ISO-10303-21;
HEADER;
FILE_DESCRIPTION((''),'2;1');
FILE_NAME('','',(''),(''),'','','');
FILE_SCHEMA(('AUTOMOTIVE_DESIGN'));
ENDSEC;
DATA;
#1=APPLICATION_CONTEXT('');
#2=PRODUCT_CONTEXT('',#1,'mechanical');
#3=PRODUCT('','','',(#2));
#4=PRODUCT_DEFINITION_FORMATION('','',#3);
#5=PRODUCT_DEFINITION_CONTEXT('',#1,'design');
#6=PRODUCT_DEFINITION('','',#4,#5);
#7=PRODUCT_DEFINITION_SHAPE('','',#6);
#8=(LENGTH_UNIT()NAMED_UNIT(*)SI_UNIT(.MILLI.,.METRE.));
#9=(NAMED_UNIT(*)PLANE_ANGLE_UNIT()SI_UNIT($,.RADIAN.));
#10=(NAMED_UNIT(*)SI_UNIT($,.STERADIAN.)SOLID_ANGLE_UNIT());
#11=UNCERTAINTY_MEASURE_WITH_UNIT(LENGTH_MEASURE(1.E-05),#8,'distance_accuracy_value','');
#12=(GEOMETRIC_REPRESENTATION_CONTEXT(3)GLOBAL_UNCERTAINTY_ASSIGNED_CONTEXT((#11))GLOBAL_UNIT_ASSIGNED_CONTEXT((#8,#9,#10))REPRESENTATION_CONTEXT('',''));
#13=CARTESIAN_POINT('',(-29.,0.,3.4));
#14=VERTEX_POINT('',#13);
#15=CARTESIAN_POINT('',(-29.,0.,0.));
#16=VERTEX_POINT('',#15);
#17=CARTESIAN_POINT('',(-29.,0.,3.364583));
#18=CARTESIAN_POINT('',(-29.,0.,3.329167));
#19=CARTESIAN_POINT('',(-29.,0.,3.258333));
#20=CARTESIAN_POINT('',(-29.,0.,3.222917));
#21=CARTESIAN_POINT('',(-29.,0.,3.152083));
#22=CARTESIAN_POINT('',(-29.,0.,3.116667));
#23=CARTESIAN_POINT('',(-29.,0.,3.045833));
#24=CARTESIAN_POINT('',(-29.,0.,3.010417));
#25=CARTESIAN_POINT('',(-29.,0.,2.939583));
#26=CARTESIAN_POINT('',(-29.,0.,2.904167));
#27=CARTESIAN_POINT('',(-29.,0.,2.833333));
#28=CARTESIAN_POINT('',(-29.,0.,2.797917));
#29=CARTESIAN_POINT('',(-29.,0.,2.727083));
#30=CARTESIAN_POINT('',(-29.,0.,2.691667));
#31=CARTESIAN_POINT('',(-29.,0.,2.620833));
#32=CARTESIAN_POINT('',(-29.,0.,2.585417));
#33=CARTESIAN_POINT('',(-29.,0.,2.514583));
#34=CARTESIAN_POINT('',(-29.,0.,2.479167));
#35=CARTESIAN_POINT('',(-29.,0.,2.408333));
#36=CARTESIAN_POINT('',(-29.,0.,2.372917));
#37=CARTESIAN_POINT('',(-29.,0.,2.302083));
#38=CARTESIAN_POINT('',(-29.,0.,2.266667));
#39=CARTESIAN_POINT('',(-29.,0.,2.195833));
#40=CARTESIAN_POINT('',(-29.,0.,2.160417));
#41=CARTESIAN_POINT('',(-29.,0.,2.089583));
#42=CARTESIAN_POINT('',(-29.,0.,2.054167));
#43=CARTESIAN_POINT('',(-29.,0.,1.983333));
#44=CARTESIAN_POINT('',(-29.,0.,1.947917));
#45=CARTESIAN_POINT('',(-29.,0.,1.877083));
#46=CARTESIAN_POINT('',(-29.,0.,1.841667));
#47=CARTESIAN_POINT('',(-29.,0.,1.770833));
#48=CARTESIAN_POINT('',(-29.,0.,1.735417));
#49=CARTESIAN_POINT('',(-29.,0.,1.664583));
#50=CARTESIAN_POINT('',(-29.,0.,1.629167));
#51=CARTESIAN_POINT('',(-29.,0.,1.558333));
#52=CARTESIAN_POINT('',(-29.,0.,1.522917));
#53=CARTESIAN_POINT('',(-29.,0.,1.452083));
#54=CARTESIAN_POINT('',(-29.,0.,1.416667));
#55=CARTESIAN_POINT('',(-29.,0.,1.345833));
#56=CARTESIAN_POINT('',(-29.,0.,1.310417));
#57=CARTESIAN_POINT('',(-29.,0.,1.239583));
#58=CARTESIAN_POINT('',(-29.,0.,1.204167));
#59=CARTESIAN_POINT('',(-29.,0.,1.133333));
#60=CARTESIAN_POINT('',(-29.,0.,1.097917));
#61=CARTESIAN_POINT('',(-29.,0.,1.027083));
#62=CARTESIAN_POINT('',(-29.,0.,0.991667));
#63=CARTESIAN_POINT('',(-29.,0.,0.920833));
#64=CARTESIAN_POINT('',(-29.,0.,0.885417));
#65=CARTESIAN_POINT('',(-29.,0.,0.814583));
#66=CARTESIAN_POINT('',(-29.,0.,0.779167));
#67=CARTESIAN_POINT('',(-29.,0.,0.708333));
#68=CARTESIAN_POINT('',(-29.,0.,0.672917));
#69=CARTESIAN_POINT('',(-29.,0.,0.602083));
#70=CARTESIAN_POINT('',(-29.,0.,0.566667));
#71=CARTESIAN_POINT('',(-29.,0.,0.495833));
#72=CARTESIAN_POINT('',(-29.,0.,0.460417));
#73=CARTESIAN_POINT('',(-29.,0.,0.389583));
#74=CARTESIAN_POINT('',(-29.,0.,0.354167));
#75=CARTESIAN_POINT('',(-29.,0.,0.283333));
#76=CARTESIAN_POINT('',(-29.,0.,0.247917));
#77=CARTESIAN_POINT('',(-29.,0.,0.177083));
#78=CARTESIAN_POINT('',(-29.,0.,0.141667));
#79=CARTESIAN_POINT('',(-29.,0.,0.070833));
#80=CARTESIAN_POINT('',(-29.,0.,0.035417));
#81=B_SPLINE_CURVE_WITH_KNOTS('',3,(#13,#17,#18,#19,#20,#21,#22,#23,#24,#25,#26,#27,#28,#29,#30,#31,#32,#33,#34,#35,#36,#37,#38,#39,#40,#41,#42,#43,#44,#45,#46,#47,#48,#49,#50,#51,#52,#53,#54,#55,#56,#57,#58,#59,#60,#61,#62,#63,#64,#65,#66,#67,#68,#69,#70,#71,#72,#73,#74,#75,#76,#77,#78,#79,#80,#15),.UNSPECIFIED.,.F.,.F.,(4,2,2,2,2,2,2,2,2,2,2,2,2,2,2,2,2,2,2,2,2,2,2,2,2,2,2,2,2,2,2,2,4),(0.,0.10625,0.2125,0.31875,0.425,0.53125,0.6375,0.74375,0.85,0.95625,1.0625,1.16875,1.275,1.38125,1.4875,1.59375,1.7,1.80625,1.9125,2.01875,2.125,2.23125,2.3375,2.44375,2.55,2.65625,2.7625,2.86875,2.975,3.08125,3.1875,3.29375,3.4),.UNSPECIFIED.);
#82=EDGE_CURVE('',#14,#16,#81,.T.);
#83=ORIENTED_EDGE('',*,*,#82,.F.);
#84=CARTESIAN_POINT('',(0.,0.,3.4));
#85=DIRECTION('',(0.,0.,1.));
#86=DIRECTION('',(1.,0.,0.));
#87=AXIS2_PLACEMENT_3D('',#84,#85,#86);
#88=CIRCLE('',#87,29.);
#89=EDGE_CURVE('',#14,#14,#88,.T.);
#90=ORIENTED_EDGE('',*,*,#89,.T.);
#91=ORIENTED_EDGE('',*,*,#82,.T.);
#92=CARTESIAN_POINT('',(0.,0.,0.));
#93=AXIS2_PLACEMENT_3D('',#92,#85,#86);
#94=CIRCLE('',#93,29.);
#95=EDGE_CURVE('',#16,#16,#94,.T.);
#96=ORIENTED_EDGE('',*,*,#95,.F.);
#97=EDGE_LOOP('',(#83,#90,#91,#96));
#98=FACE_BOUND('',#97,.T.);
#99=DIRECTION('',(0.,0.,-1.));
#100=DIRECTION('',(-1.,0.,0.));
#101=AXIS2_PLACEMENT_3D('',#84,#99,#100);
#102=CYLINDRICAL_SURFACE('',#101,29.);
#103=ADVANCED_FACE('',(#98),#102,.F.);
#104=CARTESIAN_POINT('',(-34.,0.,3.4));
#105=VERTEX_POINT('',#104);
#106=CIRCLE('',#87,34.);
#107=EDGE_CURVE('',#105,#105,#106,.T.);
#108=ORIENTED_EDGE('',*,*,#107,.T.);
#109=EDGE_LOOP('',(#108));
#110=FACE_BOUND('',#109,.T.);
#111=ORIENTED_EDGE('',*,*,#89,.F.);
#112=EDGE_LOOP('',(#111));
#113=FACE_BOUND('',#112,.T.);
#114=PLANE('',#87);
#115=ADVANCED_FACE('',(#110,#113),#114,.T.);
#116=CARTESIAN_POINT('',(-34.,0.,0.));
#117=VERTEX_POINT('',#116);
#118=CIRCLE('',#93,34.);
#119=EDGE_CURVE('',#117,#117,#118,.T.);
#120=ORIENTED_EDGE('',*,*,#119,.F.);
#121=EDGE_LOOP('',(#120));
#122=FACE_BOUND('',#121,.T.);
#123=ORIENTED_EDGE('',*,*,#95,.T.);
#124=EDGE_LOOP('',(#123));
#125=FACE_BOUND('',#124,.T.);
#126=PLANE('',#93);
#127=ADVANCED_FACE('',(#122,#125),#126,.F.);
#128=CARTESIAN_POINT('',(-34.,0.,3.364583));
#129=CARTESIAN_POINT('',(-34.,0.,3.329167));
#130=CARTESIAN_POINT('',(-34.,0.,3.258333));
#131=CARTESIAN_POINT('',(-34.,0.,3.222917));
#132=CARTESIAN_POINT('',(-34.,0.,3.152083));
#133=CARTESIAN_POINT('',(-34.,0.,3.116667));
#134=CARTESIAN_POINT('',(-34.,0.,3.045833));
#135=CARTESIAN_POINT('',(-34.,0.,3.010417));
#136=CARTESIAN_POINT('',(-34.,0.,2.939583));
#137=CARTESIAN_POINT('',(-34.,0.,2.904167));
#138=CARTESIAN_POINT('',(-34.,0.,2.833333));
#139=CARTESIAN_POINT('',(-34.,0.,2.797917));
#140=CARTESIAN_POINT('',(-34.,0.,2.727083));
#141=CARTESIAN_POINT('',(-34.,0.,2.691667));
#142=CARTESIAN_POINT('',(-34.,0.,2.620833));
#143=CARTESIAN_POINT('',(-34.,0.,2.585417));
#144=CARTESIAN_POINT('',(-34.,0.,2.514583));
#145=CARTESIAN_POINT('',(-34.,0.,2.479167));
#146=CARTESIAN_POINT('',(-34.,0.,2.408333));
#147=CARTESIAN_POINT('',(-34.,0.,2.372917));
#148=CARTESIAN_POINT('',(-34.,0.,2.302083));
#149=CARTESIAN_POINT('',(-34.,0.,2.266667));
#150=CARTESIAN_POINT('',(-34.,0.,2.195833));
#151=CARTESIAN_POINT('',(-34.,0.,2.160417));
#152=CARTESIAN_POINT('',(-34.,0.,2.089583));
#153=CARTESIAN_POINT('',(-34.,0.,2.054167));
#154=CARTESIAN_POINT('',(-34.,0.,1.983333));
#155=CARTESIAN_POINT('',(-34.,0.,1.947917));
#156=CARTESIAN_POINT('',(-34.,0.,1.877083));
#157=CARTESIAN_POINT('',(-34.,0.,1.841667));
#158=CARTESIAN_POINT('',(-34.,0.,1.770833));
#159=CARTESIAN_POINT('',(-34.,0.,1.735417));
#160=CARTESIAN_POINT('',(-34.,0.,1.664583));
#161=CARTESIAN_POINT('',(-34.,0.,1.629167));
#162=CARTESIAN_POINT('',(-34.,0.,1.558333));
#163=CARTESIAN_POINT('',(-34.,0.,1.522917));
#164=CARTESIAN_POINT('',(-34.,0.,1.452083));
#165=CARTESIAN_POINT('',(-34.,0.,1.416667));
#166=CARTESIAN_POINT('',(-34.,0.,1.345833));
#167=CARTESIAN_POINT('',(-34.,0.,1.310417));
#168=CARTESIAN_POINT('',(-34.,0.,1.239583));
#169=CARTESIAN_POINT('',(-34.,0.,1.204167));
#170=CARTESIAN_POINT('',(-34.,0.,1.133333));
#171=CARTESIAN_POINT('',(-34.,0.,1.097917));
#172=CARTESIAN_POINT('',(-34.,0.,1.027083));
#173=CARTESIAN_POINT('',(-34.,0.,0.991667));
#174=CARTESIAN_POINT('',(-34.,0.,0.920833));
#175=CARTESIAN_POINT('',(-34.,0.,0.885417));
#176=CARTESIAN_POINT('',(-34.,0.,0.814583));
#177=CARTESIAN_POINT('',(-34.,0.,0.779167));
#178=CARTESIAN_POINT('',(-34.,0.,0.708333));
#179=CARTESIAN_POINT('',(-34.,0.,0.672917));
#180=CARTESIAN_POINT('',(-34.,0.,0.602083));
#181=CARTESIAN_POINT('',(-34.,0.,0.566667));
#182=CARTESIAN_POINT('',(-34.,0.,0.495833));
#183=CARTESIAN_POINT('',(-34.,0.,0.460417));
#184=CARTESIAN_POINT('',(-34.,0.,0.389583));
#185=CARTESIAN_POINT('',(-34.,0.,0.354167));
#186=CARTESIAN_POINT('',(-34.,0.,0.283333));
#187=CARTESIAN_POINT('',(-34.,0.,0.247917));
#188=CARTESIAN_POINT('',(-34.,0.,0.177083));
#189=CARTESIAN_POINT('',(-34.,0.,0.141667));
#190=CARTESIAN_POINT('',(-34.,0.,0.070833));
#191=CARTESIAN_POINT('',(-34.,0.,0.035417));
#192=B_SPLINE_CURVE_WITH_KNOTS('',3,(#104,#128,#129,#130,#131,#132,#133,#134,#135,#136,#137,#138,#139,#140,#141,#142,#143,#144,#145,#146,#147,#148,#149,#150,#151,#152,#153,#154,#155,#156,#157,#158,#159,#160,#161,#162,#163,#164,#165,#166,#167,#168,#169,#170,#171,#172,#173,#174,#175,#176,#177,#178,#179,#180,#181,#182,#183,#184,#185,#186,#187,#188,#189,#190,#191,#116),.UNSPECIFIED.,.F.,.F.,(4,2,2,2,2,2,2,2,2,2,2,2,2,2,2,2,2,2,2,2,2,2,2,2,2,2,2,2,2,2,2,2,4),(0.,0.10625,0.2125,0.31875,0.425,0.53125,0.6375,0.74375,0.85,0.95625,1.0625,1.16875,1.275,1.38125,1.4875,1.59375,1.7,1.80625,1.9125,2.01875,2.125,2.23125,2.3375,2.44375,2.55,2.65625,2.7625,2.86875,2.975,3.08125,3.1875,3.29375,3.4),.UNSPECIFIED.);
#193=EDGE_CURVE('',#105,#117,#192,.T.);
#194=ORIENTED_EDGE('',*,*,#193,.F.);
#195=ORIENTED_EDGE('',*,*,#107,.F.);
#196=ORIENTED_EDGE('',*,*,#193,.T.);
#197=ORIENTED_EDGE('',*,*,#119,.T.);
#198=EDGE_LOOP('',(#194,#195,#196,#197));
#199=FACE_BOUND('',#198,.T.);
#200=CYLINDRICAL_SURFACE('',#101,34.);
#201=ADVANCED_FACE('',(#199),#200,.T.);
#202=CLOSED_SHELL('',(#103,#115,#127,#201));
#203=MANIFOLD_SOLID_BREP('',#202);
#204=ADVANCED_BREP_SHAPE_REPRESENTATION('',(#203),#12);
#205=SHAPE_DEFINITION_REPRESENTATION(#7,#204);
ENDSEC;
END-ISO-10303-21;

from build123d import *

# Parameters (mm, degrees)
SKETCH_1_R      = 34
SKETCH_1_R_2    = 29
EXTRUDE_1_DEPTH = 3.4


with BuildPart() as part:
    # Эскиз1 → Бобышка-Вытянуть1 (new body)
    with BuildSketch(Plane.XY):
        with Locations(Location((0, 0, 0), (0, 0, 180))):
            Circle(SKETCH_1_R)
        with Locations(Location((0, 0, 0), (0, 0, 180))):
            Circle(SKETCH_1_R_2, mode=Mode.SUBTRACT)
    extrude(amount=EXTRUDE_1_DEPTH)


solid = part.part
